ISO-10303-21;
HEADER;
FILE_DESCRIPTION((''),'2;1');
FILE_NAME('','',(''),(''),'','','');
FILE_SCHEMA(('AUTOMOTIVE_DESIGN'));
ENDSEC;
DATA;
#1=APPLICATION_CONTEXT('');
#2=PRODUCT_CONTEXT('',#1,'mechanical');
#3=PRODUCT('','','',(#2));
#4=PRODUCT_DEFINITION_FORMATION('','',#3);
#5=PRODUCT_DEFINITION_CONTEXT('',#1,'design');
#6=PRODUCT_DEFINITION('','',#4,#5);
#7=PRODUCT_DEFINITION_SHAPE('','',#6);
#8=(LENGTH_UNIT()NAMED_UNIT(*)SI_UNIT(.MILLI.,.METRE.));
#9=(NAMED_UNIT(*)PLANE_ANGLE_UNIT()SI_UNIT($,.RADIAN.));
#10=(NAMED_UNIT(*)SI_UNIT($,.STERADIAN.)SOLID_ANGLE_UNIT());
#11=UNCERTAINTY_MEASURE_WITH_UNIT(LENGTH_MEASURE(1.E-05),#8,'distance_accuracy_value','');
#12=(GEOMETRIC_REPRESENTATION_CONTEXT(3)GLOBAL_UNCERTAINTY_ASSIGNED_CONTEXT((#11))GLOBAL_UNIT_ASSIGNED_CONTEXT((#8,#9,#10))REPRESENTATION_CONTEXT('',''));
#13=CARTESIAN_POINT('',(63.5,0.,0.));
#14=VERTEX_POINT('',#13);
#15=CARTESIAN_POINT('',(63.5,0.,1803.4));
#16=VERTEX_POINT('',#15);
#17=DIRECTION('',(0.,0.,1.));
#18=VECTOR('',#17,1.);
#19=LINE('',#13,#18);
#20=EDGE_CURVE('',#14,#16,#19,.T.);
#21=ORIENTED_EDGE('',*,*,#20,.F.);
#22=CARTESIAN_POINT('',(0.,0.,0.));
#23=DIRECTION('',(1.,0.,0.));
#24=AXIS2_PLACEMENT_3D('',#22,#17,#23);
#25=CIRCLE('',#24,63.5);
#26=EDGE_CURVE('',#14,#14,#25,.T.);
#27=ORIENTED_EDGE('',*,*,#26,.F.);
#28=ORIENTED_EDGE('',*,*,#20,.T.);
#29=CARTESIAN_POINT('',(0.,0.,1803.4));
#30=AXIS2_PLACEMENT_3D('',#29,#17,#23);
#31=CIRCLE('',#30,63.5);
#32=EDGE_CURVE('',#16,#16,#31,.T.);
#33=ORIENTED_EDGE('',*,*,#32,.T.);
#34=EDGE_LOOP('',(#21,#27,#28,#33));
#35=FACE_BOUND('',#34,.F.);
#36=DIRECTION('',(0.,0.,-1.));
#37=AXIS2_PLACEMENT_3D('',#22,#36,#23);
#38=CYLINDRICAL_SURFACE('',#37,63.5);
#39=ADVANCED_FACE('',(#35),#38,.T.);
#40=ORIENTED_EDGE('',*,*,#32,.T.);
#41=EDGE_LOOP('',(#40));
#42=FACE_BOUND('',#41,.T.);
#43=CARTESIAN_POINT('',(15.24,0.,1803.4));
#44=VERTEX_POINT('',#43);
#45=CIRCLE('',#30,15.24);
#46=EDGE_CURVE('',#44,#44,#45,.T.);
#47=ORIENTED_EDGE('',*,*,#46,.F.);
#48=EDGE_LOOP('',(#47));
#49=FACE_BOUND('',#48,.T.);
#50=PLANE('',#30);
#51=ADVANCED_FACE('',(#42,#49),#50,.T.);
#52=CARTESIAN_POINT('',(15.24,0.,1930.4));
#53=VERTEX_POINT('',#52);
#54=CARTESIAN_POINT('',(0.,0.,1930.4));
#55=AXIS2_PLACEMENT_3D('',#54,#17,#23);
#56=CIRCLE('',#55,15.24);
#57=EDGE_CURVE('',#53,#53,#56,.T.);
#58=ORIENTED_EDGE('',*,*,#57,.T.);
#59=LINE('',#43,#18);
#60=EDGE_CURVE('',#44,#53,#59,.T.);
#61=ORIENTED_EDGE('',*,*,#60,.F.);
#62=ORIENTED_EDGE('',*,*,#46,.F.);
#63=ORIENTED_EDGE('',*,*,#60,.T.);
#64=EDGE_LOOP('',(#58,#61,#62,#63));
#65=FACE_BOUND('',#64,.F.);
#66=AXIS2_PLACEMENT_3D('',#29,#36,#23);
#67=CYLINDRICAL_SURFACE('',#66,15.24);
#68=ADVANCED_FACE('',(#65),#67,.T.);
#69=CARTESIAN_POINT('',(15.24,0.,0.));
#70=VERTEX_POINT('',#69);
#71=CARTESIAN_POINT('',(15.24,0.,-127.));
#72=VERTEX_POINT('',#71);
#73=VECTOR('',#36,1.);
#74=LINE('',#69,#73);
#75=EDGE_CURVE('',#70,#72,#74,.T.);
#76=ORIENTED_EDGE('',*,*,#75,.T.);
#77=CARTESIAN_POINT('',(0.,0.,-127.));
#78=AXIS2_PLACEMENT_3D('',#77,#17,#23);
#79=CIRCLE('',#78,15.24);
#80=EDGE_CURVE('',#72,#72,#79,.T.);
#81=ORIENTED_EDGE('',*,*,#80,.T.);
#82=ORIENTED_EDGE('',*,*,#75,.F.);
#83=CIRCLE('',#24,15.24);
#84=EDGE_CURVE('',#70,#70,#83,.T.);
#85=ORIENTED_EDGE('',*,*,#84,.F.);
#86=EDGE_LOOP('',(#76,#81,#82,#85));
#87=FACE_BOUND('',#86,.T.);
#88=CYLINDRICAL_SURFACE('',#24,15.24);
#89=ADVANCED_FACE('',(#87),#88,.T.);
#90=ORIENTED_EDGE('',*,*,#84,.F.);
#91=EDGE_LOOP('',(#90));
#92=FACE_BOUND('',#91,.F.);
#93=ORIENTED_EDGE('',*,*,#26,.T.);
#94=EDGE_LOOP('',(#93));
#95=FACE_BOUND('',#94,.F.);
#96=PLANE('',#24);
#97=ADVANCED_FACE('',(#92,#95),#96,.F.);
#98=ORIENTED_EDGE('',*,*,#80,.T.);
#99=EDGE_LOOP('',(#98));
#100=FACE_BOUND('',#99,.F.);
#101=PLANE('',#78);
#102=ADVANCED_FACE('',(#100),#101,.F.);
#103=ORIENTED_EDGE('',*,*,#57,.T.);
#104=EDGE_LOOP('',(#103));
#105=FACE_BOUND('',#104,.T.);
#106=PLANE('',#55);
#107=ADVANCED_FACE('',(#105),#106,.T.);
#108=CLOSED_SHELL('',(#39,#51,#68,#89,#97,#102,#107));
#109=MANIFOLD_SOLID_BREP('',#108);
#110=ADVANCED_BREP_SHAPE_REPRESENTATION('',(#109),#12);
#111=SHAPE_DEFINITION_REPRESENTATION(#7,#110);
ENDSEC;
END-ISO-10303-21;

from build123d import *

# Parameters (mm, degrees)
F0_R     = 63.5
F1_DEPTH = 1803.4
F3_R     = 15.24
F4_DEPTH = 127
F5_R     = 15.24
F6_DEPTH = 127


with BuildPart() as f1:
    # F0 (on Top) → F1 (new body)
    with BuildSketch(Plane.XY):
        Circle(F0_R)
    extrude(amount=F1_DEPTH)

    # F3 (on offset) → F4 (join)
    with BuildSketch(Plane.XY.offset(1803.4)):
        Circle(F3_R)
    extrude(amount=F4_DEPTH)

    # F5 (on Top) → F6 (join)
    with BuildSketch(Plane.XY):
        Circle(F5_R)
    extrude(amount=-F6_DEPTH)


solid = f1.part
